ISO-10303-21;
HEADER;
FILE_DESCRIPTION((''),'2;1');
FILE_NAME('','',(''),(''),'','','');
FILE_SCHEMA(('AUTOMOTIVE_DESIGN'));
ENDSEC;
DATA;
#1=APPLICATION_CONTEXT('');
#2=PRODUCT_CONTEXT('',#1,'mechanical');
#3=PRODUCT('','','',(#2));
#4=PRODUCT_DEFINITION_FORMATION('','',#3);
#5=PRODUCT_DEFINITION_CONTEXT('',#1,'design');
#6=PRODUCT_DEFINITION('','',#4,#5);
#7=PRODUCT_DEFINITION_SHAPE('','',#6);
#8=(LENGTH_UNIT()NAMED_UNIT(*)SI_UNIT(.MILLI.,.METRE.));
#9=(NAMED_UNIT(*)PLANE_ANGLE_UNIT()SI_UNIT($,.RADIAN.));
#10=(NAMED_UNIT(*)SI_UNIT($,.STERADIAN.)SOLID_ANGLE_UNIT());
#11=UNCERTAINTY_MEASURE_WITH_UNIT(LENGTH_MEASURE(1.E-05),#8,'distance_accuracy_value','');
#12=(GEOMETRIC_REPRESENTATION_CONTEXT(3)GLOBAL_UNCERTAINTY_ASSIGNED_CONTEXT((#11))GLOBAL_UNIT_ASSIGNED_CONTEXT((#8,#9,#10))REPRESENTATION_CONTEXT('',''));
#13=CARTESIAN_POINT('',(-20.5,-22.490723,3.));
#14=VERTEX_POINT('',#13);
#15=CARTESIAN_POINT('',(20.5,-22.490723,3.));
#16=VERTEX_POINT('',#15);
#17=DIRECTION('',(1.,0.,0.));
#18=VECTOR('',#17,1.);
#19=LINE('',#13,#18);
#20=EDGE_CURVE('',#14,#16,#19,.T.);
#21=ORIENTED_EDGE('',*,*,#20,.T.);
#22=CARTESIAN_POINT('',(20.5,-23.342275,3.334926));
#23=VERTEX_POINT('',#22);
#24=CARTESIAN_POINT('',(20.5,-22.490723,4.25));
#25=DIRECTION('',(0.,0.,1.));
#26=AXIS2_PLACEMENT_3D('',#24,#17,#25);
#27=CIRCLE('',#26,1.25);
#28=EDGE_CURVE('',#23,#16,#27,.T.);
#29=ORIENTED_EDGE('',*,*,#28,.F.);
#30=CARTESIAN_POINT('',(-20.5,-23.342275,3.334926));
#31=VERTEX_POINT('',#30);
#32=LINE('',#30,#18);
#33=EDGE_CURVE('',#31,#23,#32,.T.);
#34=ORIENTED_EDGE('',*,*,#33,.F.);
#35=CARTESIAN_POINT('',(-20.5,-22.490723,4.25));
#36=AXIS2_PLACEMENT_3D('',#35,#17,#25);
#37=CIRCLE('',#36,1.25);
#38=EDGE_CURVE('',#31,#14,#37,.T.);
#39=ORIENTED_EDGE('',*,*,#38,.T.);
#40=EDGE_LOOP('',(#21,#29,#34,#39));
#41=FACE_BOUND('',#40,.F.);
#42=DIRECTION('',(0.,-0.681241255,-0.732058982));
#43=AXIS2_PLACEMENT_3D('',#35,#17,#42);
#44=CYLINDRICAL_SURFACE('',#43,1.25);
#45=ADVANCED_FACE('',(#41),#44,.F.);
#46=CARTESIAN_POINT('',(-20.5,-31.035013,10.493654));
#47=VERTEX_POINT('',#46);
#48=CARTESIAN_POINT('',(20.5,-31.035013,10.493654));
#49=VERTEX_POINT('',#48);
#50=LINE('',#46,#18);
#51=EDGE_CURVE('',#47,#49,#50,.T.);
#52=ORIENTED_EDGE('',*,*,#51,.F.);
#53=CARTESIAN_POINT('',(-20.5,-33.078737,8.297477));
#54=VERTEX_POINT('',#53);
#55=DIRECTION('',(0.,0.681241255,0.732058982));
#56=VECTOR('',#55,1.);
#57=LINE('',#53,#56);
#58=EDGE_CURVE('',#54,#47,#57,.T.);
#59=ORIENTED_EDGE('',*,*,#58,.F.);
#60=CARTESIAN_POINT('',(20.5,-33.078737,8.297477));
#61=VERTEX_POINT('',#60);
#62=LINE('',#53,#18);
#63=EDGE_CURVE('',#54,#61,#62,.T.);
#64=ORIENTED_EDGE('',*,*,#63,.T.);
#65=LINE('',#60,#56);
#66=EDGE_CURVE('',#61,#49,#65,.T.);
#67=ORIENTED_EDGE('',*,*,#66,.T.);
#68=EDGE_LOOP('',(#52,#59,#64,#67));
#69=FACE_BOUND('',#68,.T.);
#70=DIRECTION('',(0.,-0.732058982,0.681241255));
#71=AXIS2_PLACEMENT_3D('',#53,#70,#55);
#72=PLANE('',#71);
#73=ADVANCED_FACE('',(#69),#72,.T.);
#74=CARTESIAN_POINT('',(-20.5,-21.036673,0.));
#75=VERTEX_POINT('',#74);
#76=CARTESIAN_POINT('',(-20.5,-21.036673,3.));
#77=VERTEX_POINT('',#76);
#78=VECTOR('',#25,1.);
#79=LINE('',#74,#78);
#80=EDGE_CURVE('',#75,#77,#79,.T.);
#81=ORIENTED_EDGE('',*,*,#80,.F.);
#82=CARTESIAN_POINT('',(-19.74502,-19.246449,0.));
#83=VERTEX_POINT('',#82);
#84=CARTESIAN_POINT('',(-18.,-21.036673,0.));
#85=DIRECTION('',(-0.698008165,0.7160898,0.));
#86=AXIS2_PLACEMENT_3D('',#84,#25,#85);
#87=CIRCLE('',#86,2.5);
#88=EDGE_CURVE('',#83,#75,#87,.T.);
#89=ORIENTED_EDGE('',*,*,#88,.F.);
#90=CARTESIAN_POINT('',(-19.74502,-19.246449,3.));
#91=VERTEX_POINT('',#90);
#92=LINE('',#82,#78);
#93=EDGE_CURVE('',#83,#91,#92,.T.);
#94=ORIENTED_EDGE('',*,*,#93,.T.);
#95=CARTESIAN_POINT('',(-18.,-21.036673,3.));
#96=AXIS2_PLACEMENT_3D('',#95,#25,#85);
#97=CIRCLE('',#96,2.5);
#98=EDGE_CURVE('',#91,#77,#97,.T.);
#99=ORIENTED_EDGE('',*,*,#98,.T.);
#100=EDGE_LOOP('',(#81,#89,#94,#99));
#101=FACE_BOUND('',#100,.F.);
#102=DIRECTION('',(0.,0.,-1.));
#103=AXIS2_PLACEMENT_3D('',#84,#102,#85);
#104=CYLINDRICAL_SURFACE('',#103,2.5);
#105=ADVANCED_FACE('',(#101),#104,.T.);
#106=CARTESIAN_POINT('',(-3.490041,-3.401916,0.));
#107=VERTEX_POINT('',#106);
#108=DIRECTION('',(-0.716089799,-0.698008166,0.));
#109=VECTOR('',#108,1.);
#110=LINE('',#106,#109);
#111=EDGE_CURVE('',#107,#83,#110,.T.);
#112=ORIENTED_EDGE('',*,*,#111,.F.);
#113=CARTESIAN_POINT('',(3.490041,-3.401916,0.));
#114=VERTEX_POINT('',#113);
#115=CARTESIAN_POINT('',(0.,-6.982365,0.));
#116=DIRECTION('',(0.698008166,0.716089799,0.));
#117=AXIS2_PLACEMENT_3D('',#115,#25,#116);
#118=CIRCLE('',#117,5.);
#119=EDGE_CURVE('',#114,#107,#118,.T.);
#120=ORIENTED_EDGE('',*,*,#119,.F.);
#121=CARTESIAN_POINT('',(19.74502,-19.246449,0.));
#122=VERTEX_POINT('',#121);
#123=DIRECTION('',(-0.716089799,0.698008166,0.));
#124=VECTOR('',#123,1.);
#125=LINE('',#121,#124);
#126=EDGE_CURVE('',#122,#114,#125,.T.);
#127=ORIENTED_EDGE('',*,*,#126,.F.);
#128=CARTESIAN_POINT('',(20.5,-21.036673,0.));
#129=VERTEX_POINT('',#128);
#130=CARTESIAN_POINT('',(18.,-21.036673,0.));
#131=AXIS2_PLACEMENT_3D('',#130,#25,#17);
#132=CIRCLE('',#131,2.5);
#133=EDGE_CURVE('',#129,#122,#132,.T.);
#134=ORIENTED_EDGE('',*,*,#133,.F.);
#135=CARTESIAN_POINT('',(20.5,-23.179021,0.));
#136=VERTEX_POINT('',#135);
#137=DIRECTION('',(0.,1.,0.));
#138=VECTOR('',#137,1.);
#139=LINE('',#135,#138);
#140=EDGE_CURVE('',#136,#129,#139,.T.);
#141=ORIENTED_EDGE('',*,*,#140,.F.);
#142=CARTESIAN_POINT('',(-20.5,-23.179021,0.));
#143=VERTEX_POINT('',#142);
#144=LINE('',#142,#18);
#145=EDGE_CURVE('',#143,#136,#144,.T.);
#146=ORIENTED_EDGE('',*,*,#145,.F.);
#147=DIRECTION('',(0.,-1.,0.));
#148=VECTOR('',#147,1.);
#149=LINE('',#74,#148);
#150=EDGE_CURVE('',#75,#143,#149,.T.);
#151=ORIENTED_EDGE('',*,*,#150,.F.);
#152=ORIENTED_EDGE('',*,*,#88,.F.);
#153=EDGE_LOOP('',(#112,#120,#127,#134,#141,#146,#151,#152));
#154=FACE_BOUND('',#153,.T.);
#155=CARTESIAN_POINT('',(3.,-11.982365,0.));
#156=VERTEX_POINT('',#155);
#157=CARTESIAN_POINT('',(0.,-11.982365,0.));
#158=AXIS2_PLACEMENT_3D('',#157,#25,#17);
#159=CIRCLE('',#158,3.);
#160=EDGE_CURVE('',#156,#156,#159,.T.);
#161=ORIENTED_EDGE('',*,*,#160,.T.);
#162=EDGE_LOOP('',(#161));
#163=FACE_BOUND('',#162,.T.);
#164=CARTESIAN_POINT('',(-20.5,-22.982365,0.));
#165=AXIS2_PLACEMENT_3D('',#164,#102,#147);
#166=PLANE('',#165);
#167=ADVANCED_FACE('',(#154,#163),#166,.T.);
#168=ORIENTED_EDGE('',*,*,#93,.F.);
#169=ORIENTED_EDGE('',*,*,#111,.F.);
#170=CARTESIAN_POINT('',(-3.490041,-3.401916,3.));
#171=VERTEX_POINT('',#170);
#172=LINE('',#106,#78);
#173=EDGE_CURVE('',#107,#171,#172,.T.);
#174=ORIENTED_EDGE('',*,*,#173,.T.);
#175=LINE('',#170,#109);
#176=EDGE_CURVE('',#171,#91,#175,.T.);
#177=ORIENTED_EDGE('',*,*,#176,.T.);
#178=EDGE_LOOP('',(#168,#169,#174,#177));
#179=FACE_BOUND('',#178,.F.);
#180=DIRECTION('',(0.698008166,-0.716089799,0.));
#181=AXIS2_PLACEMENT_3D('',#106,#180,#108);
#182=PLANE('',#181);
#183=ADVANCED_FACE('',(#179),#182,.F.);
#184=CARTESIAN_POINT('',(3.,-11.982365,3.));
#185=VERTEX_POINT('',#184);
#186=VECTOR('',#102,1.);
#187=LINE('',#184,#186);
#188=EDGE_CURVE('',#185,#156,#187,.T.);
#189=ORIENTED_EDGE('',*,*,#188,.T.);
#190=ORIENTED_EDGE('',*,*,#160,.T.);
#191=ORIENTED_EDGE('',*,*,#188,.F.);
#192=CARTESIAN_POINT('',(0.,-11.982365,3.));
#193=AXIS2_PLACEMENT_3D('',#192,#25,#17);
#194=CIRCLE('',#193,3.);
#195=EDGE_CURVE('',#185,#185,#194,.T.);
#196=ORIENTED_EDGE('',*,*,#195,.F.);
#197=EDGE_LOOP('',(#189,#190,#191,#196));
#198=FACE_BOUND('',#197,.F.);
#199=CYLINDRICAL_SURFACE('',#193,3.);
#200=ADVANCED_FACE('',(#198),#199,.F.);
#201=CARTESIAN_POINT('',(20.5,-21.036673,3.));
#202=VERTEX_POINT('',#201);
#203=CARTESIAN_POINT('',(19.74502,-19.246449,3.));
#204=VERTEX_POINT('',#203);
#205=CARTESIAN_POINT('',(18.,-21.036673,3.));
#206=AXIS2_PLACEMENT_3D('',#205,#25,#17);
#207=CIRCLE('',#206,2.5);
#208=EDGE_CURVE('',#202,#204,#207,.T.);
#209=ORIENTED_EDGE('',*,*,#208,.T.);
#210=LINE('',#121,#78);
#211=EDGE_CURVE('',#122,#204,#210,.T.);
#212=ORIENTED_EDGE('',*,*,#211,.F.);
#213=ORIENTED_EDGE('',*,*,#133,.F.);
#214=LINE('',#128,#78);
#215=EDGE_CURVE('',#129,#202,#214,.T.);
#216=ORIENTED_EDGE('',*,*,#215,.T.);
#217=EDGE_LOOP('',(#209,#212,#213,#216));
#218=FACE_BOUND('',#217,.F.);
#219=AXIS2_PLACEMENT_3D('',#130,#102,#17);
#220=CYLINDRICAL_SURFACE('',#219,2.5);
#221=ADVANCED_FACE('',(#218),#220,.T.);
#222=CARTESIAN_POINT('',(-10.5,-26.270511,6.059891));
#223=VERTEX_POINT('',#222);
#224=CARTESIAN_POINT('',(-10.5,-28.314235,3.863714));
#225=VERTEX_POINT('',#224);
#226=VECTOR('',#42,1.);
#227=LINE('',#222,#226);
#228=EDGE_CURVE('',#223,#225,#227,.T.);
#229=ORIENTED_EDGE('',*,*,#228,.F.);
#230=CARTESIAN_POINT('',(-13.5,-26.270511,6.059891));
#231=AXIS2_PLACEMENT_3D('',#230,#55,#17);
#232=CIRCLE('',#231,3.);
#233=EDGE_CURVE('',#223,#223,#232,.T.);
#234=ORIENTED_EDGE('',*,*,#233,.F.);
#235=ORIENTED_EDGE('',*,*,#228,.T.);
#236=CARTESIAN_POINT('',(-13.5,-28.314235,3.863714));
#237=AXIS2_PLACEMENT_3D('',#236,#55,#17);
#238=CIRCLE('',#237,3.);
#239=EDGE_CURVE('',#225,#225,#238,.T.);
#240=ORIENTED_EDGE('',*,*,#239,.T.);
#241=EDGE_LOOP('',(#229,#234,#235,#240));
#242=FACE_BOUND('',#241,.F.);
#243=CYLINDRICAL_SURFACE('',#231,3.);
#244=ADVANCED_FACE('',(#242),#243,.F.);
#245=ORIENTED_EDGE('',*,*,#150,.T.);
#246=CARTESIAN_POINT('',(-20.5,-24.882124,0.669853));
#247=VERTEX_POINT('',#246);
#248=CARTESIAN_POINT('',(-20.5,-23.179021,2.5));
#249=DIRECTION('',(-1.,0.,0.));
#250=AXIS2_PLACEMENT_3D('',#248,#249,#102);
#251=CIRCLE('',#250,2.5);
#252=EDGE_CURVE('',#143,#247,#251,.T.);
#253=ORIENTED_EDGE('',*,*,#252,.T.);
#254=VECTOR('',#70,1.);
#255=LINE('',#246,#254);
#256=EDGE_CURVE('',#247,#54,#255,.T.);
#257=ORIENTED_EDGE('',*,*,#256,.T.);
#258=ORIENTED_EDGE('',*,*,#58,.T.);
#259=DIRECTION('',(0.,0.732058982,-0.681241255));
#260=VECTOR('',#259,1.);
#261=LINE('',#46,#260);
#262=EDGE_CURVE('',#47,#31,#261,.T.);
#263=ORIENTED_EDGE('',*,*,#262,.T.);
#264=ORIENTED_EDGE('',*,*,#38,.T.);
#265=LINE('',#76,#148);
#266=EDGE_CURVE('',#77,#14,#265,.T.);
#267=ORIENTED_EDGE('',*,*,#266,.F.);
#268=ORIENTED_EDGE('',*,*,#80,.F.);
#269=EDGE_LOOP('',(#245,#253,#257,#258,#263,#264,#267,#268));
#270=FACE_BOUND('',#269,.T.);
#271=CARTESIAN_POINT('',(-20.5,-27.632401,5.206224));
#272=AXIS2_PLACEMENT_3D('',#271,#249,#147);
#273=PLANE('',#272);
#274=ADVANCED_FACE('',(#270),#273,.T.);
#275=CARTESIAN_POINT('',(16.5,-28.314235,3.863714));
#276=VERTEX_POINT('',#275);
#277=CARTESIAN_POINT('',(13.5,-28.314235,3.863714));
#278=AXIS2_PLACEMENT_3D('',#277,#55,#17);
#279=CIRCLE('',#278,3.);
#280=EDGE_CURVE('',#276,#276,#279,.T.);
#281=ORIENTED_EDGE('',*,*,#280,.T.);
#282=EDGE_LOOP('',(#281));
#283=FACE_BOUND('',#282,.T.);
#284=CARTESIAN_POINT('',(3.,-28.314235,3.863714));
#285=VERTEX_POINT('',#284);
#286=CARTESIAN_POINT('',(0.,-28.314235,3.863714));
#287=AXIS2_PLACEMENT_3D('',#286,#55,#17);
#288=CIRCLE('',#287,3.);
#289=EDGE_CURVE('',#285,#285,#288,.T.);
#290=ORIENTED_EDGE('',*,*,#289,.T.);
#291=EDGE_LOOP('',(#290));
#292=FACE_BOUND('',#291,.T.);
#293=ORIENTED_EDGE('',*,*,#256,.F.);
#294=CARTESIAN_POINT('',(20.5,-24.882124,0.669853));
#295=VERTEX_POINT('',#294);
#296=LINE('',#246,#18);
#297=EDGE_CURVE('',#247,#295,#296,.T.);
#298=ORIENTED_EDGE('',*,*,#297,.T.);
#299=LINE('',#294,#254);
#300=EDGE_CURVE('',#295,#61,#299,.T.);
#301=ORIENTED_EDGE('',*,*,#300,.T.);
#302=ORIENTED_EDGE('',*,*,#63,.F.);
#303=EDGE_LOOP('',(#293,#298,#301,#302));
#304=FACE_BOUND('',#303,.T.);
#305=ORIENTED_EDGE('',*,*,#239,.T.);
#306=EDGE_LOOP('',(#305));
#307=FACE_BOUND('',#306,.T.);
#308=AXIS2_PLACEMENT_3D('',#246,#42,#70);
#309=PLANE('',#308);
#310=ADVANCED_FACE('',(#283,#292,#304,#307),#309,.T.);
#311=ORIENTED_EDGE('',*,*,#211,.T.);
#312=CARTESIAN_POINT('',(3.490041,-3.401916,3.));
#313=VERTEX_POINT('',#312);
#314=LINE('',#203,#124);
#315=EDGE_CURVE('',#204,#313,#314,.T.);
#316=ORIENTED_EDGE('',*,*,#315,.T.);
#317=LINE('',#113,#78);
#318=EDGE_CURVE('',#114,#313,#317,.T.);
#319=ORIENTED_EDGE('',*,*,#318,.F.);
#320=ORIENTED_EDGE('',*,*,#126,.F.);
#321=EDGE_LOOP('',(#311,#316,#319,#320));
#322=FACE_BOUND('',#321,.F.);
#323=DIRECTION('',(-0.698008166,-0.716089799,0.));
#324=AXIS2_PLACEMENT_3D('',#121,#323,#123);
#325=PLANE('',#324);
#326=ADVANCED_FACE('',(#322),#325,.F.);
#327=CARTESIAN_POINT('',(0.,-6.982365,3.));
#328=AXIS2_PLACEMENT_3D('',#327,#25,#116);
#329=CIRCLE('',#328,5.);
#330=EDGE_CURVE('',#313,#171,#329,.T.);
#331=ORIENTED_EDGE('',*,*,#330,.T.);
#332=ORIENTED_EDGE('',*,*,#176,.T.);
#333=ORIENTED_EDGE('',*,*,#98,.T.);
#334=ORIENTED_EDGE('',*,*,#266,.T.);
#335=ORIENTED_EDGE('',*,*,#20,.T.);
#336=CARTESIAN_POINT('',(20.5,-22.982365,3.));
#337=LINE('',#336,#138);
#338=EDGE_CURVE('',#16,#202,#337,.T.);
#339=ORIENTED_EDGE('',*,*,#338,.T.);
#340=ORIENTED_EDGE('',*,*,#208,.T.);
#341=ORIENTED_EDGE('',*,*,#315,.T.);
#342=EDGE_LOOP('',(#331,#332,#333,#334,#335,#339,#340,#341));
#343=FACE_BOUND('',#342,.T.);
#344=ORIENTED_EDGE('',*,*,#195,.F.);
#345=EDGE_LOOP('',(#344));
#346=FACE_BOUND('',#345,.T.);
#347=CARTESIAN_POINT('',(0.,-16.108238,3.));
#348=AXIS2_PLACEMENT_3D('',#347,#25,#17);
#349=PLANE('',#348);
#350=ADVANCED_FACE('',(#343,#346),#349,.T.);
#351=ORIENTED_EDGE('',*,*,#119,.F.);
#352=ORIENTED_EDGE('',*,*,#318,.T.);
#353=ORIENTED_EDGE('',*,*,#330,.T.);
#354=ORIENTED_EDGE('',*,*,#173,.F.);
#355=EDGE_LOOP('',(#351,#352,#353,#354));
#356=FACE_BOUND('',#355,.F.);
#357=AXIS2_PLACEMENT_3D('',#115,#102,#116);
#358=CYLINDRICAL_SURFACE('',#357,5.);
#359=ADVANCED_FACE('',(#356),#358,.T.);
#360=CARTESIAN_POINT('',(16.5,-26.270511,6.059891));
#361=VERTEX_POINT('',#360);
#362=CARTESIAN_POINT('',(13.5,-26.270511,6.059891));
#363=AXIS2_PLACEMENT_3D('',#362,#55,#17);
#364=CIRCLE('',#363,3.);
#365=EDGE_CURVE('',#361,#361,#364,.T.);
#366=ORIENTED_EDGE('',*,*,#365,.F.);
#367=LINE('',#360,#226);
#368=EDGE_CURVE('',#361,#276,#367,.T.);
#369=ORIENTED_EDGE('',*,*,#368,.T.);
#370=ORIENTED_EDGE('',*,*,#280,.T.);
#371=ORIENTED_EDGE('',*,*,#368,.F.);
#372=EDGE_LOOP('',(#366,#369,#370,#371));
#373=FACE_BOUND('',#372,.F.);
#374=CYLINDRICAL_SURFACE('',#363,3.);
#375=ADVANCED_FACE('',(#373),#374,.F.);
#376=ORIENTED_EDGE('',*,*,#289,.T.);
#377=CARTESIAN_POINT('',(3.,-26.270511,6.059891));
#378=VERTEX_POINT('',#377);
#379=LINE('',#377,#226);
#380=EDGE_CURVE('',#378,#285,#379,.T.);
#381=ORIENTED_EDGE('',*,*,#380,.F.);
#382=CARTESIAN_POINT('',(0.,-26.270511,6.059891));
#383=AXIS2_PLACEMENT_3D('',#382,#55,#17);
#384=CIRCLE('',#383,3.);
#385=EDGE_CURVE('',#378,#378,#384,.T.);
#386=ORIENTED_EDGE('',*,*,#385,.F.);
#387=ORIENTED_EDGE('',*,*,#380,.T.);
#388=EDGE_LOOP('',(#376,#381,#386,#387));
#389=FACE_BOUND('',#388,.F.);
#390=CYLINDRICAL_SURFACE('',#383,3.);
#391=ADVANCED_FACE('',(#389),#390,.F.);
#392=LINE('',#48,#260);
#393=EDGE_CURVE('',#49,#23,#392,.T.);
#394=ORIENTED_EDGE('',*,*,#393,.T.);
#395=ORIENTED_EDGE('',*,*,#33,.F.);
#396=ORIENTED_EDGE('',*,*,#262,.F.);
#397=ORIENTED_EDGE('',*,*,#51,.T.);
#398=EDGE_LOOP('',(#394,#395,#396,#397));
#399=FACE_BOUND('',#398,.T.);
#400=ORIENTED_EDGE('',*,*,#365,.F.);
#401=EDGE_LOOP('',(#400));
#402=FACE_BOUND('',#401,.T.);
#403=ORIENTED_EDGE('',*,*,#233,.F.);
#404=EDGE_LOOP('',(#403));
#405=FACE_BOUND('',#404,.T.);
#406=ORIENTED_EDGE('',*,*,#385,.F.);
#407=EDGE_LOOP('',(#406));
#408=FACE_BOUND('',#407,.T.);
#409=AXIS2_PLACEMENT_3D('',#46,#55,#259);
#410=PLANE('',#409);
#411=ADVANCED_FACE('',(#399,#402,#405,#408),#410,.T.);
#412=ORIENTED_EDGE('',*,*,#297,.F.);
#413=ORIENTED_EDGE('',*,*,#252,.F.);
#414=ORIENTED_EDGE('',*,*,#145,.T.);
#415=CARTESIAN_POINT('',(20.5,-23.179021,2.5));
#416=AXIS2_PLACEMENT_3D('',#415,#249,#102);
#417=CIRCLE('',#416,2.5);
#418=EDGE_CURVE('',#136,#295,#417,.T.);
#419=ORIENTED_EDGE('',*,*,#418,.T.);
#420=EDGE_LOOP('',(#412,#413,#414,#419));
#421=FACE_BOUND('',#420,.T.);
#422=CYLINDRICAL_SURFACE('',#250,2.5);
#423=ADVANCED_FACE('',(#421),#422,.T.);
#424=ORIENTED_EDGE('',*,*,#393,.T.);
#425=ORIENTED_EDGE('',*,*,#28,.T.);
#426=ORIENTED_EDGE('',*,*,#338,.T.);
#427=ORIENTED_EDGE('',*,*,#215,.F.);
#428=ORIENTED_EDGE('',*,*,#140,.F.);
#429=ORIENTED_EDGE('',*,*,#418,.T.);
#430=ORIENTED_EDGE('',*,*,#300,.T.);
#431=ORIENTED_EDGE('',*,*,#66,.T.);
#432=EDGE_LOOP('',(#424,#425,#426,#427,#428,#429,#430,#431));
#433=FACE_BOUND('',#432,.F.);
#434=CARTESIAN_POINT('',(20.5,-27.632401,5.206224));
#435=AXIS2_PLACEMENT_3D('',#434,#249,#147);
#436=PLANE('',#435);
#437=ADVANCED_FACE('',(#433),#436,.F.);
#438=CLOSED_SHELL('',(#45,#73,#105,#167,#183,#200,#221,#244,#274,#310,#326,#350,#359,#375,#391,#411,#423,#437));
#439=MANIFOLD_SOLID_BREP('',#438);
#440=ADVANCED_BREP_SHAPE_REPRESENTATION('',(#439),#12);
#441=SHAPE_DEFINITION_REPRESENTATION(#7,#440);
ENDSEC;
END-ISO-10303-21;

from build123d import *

# Parameters (mm, degrees)
F1_DEPTH = 3
F2_R     = 3
F3_DEPTH = 3
F5_DEPTH = 41
F6_R     = 1.25
F7_R     = 3
F8_DEPTH = 3


with BuildPart() as f1:
    # F0 (on Top) → F1 (new body)
    with BuildSketch(Plane.XY):
        with BuildLine():
            ThreePointArc((3.4900408275, -3.4019155104), (0, -1.9823645076), (-3.4900408275, -3.4019155104))
            Line((-3.4900408275, -3.4019155104), (-19.7450204138, -19.2464485424))
            ThreePointArc((-19.7450204138, -19.2464485424), (-20.3035354387, -20.065218213), (-20.5, -21.036673041))
            Line((-20.5, -21.036673041), (-20.5, -22.9823645076))
            Line((-20.5, -22.9823645076), (20.5, -22.9823645076))
            Line((20.5, -22.9823645076), (20.5, -21.036673041))
            ThreePointArc((20.5, -21.036673041), (20.3035354387, -20.065218213), (19.7450204138, -19.2464485424))
            Line((19.7450204138, -19.2464485424), (3.4900408275, -3.4019155104))
        make_face()
    extrude(amount=F1_DEPTH)

    # F2 (on face) → F3 (cut)
    with BuildSketch(Plane.XY.offset(3)):
        with Locations((0, -11.9823645076)):
            Circle(F2_R)
    extrude(amount=-F3_DEPTH, mode=Mode.SUBTRACT)

    # F4 (on face) → F5 (join)
    with BuildSketch(Plane(origin=(-20.5, 0, 0), x_dir=(0, -1, 0), z_dir=(-1, 0, 0))):
        with BuildLine():
            Line((31.0350133065, 10.4936538032), (22.9823645076, 3))
            Line((22.9823645076, 3), (22.9823645076, 0))
            Line((22.9823645076, 0), (23.1790209905, 0))
            ThreePointArc((23.1790209905, 0), (24.0940705422, 0.1734823624), (24.8821241276, 0.6698525457))
            Line((24.8821241276, 0.6698525457), (33.078737071, 8.2974768581))
            Line((33.078737071, 8.2974768581), (31.0350133065, 10.4936538032))
        make_face()
    extrude(amount=-F5_DEPTH)

    # F6
    f6_edges = [f1.edges().sort_by_distance(p)[0] for p in [
        (0, -22.982365, 3),
    ]]
    fillet(f6_edges, radius=F6_R)

    # F7 (on face) → F8 (cut)
    with BuildSketch(Plane(origin=(0, -9.1697511003, -9.8537758913), x_dir=(1, 0, 0), z_dir=(0, 0.6812412548, 0.7320589817))):
        with Locations((13.5, -23.3598113305)):
            Circle(F7_R)
        with Locations((0, -23.3598113305)):
            Circle(F7_R)
        with Locations((-13.5, -23.3598113305)):
            Circle(F7_R)
    extrude(amount=-F8_DEPTH, mode=Mode.SUBTRACT)


solid = f1.part
